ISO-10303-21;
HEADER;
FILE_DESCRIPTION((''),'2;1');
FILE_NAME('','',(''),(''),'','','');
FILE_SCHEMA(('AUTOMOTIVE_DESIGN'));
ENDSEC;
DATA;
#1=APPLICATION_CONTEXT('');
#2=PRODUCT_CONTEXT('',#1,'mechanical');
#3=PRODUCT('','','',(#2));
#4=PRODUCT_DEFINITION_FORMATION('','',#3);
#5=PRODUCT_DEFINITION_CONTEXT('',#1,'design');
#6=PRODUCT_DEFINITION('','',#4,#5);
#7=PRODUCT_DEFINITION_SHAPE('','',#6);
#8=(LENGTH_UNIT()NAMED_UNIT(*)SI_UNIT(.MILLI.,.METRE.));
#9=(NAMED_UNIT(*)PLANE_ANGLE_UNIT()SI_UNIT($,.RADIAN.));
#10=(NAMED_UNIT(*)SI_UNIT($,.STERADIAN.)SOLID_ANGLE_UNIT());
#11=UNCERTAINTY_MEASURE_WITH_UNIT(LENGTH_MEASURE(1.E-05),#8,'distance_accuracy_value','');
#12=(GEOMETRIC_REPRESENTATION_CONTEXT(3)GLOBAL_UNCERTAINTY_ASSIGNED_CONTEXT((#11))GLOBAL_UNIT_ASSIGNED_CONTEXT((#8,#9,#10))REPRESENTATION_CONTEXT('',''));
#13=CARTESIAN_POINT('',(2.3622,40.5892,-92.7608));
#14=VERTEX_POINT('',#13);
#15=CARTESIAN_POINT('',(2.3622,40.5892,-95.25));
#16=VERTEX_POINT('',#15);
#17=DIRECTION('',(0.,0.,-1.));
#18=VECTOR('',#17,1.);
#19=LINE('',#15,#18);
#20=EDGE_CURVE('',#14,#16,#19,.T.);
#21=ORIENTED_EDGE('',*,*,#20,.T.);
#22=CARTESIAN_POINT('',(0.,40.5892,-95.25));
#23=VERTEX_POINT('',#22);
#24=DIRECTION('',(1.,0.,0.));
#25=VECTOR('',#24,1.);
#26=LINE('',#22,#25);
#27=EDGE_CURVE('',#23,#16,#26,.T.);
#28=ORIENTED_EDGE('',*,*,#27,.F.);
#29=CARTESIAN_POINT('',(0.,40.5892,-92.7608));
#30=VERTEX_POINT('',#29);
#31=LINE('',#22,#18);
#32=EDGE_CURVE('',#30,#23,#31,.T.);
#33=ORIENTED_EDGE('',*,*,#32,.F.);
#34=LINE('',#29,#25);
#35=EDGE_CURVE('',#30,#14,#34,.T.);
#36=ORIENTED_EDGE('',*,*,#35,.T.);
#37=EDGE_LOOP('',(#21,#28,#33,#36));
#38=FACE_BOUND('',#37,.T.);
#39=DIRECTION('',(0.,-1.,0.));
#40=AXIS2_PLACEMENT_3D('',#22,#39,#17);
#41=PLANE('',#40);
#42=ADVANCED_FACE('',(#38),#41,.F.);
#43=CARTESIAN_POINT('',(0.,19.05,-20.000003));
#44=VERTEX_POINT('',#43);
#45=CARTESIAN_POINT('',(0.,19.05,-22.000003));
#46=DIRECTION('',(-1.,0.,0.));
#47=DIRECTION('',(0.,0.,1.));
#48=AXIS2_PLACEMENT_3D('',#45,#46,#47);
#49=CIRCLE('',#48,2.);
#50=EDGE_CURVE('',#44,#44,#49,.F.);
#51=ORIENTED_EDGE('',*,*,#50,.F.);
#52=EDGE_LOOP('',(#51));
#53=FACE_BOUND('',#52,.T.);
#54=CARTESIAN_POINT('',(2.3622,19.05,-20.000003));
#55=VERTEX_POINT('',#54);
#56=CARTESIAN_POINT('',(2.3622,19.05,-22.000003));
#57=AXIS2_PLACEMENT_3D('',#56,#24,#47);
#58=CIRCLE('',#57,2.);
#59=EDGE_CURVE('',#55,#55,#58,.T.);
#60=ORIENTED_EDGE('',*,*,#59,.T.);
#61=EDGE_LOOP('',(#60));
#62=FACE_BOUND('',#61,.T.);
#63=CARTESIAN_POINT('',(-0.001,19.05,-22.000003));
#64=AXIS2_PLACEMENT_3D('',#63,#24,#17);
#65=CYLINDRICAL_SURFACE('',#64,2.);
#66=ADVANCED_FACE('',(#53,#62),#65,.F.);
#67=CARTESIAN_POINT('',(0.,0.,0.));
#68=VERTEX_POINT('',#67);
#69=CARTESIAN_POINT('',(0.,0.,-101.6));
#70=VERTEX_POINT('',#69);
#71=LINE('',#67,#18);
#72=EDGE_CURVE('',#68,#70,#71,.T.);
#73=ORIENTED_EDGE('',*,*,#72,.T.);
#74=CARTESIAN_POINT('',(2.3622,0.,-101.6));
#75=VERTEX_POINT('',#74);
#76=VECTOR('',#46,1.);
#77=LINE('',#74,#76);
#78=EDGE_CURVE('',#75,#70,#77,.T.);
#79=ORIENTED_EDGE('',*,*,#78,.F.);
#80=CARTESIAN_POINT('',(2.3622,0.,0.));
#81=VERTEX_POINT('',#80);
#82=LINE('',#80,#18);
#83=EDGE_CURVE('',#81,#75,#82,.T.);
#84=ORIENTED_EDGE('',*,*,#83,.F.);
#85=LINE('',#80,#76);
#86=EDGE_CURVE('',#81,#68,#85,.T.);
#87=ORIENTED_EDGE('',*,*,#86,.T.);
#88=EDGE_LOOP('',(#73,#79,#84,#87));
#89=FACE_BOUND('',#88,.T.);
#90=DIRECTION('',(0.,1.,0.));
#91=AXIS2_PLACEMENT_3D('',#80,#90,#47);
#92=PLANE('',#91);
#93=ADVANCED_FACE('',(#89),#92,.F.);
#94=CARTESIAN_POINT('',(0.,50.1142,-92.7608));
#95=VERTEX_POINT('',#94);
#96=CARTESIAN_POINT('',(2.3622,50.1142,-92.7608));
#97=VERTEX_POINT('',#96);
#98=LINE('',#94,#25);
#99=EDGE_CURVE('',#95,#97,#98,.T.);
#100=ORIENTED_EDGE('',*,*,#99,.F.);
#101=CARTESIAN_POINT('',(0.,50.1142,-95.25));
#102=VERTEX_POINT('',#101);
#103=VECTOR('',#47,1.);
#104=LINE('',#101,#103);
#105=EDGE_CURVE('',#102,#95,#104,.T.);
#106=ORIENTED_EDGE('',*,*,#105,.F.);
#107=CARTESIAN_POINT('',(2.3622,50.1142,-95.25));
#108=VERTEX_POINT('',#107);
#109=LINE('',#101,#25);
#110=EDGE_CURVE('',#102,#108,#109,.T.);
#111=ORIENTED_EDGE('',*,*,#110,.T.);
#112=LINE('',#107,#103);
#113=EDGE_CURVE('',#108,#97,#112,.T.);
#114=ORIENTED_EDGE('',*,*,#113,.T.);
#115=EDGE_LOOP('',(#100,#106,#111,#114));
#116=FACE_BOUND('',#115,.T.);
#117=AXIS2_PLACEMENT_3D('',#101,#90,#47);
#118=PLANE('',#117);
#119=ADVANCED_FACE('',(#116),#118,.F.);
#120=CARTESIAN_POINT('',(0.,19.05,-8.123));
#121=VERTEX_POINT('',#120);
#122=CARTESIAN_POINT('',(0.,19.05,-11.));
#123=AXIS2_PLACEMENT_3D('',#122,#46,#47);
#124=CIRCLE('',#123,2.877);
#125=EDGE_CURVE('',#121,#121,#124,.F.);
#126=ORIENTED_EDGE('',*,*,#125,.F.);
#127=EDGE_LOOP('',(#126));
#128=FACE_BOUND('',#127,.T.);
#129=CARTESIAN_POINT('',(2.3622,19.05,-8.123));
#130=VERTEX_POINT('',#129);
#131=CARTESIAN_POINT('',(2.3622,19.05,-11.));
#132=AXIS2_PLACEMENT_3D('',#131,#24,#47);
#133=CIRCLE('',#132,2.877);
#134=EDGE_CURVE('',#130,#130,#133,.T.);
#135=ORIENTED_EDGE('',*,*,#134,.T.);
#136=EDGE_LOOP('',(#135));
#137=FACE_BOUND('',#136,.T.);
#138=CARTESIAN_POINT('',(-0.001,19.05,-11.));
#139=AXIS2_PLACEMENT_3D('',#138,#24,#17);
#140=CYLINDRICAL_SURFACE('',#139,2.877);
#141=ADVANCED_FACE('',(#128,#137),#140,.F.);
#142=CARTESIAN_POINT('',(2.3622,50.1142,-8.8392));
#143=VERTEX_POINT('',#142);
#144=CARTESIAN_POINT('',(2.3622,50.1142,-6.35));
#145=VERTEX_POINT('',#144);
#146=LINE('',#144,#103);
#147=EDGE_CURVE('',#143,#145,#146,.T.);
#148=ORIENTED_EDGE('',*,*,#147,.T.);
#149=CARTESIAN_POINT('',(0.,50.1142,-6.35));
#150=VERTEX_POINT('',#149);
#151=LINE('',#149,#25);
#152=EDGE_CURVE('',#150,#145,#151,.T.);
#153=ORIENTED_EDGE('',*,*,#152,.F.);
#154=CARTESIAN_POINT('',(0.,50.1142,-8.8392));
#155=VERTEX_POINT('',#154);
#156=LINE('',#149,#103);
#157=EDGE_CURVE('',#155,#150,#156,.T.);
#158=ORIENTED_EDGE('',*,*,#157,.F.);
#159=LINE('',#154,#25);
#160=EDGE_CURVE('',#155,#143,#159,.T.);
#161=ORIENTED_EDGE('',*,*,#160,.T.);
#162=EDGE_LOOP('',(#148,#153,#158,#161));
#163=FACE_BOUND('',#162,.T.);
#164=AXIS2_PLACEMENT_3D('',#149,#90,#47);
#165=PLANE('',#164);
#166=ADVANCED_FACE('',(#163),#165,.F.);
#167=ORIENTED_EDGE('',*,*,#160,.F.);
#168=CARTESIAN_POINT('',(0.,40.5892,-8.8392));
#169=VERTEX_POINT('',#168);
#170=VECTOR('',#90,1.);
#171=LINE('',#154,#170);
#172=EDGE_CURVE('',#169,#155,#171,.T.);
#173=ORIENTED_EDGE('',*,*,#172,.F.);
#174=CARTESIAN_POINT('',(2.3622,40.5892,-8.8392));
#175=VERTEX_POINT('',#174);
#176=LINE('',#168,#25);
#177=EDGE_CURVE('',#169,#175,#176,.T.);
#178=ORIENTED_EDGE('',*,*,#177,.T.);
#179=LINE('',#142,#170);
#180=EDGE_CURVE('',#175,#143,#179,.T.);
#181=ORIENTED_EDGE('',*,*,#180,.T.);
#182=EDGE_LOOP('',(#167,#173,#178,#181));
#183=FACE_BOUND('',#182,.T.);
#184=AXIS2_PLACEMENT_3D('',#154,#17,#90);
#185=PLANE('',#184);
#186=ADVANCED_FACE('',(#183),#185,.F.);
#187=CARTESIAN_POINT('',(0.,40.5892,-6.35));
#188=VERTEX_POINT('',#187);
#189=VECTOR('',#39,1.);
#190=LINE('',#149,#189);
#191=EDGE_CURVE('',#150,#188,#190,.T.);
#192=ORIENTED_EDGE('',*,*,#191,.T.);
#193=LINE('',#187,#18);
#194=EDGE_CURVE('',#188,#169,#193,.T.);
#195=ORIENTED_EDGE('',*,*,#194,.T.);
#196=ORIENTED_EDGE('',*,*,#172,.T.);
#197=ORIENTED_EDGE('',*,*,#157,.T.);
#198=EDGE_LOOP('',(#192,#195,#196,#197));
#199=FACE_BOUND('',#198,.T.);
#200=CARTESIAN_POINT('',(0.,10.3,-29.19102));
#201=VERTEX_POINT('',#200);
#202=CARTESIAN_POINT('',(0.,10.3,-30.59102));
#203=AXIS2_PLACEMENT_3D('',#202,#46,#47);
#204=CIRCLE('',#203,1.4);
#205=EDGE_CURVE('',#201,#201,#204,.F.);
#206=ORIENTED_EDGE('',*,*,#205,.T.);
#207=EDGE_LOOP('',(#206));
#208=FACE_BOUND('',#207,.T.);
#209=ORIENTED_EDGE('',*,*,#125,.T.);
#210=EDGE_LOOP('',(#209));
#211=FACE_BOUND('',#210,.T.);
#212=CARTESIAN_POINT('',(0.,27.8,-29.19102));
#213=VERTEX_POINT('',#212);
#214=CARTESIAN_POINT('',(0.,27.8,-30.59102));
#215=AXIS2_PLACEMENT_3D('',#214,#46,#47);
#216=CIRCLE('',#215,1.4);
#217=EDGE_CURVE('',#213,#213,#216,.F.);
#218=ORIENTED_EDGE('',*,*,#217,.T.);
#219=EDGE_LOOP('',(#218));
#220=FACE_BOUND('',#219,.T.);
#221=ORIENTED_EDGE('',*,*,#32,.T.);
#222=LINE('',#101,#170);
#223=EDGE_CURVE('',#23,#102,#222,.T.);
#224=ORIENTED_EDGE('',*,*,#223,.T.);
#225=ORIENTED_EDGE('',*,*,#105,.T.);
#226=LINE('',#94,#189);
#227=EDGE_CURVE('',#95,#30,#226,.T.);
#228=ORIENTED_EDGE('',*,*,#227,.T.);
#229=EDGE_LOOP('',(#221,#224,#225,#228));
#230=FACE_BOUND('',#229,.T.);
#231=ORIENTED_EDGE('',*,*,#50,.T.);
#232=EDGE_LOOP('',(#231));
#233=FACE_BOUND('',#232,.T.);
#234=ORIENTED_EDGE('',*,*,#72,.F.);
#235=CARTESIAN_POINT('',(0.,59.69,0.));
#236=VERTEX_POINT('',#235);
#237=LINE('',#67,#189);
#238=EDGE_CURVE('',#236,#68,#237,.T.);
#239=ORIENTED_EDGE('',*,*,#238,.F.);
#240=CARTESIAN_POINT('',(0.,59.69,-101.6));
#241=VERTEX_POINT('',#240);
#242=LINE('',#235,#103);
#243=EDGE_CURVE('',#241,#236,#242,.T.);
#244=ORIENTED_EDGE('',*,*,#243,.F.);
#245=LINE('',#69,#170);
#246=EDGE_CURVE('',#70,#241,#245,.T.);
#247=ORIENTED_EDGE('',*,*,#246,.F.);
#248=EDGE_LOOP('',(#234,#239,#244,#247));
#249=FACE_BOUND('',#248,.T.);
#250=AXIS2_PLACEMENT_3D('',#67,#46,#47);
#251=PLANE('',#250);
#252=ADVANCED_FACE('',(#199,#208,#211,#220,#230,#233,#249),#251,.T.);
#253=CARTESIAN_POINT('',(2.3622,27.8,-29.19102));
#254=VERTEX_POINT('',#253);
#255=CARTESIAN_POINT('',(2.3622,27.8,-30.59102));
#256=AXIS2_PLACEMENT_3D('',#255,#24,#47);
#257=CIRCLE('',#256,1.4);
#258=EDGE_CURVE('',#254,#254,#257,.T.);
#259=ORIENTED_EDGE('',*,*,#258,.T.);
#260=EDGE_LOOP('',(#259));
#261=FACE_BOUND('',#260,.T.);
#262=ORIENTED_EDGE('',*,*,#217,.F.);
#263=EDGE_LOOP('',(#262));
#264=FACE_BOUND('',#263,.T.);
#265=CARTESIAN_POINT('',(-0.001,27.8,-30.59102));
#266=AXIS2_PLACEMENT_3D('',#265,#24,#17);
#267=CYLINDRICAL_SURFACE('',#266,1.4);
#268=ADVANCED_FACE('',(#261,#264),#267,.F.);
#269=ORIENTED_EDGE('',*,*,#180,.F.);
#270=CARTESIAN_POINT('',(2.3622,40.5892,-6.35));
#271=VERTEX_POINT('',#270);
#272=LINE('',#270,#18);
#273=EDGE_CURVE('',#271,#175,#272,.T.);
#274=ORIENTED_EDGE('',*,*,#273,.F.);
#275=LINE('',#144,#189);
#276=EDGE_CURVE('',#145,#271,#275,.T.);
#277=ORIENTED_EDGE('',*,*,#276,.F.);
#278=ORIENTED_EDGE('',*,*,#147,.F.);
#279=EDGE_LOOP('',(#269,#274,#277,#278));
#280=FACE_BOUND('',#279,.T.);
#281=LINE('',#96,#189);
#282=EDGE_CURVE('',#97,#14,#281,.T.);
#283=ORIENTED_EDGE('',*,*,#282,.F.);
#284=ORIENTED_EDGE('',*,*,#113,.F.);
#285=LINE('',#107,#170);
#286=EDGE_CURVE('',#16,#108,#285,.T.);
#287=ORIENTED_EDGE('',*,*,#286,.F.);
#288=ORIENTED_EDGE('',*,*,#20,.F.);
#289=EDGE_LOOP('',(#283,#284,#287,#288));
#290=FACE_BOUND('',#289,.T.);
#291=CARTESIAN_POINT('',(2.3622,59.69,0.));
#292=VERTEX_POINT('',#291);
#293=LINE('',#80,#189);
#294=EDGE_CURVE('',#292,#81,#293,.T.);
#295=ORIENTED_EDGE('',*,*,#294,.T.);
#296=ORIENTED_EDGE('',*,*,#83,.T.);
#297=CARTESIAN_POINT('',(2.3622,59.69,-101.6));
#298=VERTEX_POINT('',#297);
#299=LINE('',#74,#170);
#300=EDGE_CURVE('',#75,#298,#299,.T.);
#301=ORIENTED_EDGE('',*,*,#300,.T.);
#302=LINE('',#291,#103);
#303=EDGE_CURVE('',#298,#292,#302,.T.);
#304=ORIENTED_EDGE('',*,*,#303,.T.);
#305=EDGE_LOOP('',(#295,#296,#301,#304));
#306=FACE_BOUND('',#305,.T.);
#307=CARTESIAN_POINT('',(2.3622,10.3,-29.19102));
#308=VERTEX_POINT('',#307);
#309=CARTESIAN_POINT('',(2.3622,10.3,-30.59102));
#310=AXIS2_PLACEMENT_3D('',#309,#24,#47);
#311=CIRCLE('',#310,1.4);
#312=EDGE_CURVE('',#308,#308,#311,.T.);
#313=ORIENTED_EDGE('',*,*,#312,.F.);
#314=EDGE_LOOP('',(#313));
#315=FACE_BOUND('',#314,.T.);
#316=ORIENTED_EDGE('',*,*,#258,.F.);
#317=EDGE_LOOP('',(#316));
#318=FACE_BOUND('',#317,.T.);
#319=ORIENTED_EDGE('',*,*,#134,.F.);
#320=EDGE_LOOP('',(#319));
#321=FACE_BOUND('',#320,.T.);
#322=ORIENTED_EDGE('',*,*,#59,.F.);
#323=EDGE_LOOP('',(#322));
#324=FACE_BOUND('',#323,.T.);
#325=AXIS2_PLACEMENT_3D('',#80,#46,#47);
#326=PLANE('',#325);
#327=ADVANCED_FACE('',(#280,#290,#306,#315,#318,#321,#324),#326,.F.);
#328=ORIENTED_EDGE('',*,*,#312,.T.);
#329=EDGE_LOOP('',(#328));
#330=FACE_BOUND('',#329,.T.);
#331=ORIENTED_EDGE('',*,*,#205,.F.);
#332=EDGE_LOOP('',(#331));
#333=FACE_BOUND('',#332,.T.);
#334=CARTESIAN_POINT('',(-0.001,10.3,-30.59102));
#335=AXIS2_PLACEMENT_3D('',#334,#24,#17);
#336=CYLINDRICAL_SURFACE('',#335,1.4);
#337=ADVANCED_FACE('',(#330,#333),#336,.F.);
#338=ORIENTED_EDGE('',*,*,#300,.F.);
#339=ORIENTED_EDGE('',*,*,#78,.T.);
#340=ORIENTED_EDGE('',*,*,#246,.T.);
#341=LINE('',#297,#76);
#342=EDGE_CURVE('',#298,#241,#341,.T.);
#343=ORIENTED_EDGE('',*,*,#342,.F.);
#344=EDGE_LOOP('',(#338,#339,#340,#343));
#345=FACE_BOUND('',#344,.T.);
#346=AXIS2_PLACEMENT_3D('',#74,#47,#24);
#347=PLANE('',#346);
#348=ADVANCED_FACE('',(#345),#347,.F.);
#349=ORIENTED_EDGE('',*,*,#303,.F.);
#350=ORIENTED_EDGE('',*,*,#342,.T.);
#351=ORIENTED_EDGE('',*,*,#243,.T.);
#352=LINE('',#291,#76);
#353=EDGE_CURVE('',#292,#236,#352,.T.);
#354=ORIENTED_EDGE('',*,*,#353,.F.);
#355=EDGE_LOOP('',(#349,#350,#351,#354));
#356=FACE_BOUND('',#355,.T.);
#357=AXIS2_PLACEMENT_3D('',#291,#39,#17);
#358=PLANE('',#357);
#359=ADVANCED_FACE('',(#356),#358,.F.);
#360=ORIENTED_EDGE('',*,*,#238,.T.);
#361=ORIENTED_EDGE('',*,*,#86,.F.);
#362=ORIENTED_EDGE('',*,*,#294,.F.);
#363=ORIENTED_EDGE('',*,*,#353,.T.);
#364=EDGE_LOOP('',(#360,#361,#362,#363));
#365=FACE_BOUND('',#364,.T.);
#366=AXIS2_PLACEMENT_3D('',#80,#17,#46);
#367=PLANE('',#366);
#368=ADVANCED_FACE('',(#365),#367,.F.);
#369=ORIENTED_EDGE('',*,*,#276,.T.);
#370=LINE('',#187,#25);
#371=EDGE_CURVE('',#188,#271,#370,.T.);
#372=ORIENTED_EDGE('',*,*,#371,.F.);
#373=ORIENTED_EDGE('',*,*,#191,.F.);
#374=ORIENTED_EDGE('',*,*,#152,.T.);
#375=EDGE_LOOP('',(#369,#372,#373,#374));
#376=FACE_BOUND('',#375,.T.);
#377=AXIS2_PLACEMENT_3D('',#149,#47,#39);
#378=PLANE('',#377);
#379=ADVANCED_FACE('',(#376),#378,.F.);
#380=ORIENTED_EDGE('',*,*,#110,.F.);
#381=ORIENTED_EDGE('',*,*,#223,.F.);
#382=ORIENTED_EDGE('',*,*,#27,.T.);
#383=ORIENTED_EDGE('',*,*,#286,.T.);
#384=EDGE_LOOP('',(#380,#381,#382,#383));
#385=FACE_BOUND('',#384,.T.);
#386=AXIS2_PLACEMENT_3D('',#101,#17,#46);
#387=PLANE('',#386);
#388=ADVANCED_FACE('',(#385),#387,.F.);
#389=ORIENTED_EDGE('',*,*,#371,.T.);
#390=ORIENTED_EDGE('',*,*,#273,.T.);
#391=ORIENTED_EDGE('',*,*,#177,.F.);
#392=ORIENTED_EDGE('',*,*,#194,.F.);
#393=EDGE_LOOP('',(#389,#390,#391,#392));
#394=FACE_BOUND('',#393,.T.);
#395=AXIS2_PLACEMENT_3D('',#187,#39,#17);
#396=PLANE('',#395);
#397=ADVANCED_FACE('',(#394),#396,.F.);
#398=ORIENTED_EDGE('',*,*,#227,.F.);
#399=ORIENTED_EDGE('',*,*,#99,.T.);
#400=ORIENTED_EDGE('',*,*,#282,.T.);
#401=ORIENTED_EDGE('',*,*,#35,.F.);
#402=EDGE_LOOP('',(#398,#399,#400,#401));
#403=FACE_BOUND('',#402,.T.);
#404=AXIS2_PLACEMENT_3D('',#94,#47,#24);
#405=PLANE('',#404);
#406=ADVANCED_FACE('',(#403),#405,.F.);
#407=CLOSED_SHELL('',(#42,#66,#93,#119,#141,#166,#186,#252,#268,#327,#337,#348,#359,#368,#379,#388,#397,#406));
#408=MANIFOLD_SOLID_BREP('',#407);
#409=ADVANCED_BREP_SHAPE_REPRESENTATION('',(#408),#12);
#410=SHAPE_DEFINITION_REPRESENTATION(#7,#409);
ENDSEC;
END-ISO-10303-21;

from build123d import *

# Parameters (mm, degrees)
SKETCH1_W           = 101.6
SKETCH1_H           = 59.69
BOSS_EXTRUDE1_DEPTH = 2.3622
CUT_EXTRUDE1_REACH  = 4.362
SKETCH2_R           = 1.4
SKETCH2_R_2         = 2
SKETCH2_R_3         = 2.876999961
SKETCH4_W           = 2.4892
SKETCH4_H           = 9.525
CUT_EXTRUDE3_DEPTH  = 3.3622


with BuildPart() as part:
    # Sketch1 → Boss-Extrude1 (new body)
    with BuildSketch(Plane(origin=(0, 0, 0), x_dir=(0, 0, -1), z_dir=(1, 0, 0))):
        with Locations((50.8, 29.845)):
            Rectangle(SKETCH1_W, SKETCH1_H)
    extrude(amount=BOSS_EXTRUDE1_DEPTH)

    # Sketch2 → Cut-Extrude1 (cut, up to next)
    with BuildSketch(Plane(origin=(2.3622, 0, 0), x_dir=(0, 0, -1), z_dir=(1, 0, 0)), mode=Mode.PRIVATE) as cut_extrude1_sk1:
        with Locations((30.59102, 10.3)):
            Circle(SKETCH2_R)
    cut_extrude1_tool1 = extrude(cut_extrude1_sk1.sketch, amount=-CUT_EXTRUDE1_REACH, mode=Mode.PRIVATE) & part.part
    add(cut_extrude1_tool1.solids().sort_by_distance((2.3622, 10.3, -30.59102))[0], mode=Mode.SUBTRACT)
    # Sketch2 → Cut-Extrude1 (cut, up to next)
    with BuildSketch(Plane(origin=(2.3622, 0, 0), x_dir=(0, 0, -1), z_dir=(1, 0, 0)), mode=Mode.PRIVATE) as cut_extrude1_sk2:
        with Locations((30.59102, 27.8)):
            Circle(SKETCH2_R)
    cut_extrude1_tool2 = extrude(cut_extrude1_sk2.sketch, amount=-CUT_EXTRUDE1_REACH, mode=Mode.PRIVATE) & part.part
    add(cut_extrude1_tool2.solids().sort_by_distance((2.3622, 27.8, -30.59102))[0], mode=Mode.SUBTRACT)
    # Sketch2 → Cut-Extrude1 (cut, up to next)
    with BuildSketch(Plane(origin=(2.3622, 0, 0), x_dir=(0, 0, -1), z_dir=(1, 0, 0)), mode=Mode.PRIVATE) as cut_extrude1_sk3:
        with Locations((22.0000034, 19.05)):
            Circle(SKETCH2_R_2)
    cut_extrude1_tool3 = extrude(cut_extrude1_sk3.sketch, amount=-CUT_EXTRUDE1_REACH, mode=Mode.PRIVATE) & part.part
    add(cut_extrude1_tool3.solids().sort_by_distance((2.3622, 19.05, -22.000003))[0], mode=Mode.SUBTRACT)
    # Sketch2 → Cut-Extrude1 (cut, up to next)
    with BuildSketch(Plane(origin=(2.3622, 0, 0), x_dir=(0, 0, -1), z_dir=(1, 0, 0)), mode=Mode.PRIVATE) as cut_extrude1_sk4:
        with Locations((11, 19.05)):
            Circle(SKETCH2_R_3)
    cut_extrude1_tool4 = extrude(cut_extrude1_sk4.sketch, amount=-CUT_EXTRUDE1_REACH, mode=Mode.PRIVATE) & part.part
    add(cut_extrude1_tool4.solids().sort_by_distance((2.3622, 19.05, -11))[0], mode=Mode.SUBTRACT)

    # Sketch4 → Cut-Extrude3 (cut, through all)
    with BuildSketch(Plane(origin=(2.3622, 0, 0), x_dir=(0, 0, -1), z_dir=(1, 0, 0))):
        with Locations((7.5946, 45.3517)):
            Rectangle(SKETCH4_W, SKETCH4_H)
        with Locations((94.0054, 45.3517)):
            Rectangle(SKETCH4_W, SKETCH4_H)
    extrude(amount=-CUT_EXTRUDE3_DEPTH, mode=Mode.SUBTRACT)


solid = part.part
